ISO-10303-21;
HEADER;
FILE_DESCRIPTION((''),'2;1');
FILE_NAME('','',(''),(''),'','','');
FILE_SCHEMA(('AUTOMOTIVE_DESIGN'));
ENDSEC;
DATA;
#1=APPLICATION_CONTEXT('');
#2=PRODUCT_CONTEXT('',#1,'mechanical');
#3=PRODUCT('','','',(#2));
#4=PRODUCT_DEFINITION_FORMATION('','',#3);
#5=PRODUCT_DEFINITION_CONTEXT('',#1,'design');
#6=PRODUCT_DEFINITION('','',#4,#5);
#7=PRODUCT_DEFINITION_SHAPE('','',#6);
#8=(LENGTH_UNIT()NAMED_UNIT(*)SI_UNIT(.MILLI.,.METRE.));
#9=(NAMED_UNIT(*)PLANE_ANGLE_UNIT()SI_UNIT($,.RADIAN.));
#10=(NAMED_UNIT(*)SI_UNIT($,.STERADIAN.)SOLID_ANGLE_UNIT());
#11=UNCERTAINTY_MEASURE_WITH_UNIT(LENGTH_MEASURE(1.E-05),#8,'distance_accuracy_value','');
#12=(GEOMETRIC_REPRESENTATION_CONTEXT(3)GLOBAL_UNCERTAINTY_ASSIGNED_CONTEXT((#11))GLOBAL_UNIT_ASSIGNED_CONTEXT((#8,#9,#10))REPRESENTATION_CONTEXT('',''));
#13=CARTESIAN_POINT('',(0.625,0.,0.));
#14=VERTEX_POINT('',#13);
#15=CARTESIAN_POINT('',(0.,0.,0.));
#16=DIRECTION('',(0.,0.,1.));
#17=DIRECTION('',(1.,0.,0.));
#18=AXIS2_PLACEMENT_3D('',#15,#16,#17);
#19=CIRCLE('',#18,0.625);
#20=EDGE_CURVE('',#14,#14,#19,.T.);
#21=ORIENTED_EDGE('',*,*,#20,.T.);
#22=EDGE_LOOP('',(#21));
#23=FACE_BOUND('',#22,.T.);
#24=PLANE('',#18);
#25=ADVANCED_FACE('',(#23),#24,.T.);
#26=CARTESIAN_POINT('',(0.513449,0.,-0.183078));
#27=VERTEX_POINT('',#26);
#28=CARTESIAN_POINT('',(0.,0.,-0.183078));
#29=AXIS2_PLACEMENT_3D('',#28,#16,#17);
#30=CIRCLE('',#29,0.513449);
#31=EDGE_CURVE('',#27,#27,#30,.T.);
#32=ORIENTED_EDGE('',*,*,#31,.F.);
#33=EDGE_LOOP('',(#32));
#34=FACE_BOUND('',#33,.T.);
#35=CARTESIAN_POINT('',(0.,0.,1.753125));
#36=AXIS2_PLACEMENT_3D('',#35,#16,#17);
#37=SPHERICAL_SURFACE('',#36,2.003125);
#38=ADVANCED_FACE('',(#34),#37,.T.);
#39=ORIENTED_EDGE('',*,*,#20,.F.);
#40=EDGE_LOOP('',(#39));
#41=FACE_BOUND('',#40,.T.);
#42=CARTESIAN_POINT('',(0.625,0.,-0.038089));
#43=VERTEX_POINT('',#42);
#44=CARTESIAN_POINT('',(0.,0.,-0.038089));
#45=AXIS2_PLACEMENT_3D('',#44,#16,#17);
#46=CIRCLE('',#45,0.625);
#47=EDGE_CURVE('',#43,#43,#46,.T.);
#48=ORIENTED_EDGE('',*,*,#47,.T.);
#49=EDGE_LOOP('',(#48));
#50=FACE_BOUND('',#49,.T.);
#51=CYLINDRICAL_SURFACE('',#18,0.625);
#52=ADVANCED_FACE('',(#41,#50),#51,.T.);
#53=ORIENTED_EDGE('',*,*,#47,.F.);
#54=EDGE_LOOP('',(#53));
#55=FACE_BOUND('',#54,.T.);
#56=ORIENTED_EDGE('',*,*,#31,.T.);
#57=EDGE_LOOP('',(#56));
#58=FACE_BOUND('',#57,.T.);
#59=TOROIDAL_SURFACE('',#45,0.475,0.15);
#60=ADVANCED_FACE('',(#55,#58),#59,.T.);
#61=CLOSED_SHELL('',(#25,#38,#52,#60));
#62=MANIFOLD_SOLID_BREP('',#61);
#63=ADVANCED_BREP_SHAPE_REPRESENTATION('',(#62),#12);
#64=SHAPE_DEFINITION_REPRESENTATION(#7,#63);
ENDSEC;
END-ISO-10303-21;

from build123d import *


with BuildPart() as part:
    # Croquis1 → Revolución1 (revolve)
    with BuildSketch(Plane(origin=(0, 0, 0), x_dir=(1, 0, 0), z_dir=(0, 1, 0))):
        with BuildLine():
            Line((0, 0), (0.625, 0))
            Line((0.625, 0), (0.625, 0.038088908))
            ThreePointArc((0.625, 0.038088908), (0.593884997, 0.129556703), (0.513448567, 0.183077555))
            ThreePointArc((0.513448567, 0.183077555), (0.258895753, 0.23319893), (0, 0.25))
            Line((0, 0.25), (0, 0))
        make_face()
    revolve(axis=Axis((0, 0, 0), (0, 0, -1)))


solid = part.part
